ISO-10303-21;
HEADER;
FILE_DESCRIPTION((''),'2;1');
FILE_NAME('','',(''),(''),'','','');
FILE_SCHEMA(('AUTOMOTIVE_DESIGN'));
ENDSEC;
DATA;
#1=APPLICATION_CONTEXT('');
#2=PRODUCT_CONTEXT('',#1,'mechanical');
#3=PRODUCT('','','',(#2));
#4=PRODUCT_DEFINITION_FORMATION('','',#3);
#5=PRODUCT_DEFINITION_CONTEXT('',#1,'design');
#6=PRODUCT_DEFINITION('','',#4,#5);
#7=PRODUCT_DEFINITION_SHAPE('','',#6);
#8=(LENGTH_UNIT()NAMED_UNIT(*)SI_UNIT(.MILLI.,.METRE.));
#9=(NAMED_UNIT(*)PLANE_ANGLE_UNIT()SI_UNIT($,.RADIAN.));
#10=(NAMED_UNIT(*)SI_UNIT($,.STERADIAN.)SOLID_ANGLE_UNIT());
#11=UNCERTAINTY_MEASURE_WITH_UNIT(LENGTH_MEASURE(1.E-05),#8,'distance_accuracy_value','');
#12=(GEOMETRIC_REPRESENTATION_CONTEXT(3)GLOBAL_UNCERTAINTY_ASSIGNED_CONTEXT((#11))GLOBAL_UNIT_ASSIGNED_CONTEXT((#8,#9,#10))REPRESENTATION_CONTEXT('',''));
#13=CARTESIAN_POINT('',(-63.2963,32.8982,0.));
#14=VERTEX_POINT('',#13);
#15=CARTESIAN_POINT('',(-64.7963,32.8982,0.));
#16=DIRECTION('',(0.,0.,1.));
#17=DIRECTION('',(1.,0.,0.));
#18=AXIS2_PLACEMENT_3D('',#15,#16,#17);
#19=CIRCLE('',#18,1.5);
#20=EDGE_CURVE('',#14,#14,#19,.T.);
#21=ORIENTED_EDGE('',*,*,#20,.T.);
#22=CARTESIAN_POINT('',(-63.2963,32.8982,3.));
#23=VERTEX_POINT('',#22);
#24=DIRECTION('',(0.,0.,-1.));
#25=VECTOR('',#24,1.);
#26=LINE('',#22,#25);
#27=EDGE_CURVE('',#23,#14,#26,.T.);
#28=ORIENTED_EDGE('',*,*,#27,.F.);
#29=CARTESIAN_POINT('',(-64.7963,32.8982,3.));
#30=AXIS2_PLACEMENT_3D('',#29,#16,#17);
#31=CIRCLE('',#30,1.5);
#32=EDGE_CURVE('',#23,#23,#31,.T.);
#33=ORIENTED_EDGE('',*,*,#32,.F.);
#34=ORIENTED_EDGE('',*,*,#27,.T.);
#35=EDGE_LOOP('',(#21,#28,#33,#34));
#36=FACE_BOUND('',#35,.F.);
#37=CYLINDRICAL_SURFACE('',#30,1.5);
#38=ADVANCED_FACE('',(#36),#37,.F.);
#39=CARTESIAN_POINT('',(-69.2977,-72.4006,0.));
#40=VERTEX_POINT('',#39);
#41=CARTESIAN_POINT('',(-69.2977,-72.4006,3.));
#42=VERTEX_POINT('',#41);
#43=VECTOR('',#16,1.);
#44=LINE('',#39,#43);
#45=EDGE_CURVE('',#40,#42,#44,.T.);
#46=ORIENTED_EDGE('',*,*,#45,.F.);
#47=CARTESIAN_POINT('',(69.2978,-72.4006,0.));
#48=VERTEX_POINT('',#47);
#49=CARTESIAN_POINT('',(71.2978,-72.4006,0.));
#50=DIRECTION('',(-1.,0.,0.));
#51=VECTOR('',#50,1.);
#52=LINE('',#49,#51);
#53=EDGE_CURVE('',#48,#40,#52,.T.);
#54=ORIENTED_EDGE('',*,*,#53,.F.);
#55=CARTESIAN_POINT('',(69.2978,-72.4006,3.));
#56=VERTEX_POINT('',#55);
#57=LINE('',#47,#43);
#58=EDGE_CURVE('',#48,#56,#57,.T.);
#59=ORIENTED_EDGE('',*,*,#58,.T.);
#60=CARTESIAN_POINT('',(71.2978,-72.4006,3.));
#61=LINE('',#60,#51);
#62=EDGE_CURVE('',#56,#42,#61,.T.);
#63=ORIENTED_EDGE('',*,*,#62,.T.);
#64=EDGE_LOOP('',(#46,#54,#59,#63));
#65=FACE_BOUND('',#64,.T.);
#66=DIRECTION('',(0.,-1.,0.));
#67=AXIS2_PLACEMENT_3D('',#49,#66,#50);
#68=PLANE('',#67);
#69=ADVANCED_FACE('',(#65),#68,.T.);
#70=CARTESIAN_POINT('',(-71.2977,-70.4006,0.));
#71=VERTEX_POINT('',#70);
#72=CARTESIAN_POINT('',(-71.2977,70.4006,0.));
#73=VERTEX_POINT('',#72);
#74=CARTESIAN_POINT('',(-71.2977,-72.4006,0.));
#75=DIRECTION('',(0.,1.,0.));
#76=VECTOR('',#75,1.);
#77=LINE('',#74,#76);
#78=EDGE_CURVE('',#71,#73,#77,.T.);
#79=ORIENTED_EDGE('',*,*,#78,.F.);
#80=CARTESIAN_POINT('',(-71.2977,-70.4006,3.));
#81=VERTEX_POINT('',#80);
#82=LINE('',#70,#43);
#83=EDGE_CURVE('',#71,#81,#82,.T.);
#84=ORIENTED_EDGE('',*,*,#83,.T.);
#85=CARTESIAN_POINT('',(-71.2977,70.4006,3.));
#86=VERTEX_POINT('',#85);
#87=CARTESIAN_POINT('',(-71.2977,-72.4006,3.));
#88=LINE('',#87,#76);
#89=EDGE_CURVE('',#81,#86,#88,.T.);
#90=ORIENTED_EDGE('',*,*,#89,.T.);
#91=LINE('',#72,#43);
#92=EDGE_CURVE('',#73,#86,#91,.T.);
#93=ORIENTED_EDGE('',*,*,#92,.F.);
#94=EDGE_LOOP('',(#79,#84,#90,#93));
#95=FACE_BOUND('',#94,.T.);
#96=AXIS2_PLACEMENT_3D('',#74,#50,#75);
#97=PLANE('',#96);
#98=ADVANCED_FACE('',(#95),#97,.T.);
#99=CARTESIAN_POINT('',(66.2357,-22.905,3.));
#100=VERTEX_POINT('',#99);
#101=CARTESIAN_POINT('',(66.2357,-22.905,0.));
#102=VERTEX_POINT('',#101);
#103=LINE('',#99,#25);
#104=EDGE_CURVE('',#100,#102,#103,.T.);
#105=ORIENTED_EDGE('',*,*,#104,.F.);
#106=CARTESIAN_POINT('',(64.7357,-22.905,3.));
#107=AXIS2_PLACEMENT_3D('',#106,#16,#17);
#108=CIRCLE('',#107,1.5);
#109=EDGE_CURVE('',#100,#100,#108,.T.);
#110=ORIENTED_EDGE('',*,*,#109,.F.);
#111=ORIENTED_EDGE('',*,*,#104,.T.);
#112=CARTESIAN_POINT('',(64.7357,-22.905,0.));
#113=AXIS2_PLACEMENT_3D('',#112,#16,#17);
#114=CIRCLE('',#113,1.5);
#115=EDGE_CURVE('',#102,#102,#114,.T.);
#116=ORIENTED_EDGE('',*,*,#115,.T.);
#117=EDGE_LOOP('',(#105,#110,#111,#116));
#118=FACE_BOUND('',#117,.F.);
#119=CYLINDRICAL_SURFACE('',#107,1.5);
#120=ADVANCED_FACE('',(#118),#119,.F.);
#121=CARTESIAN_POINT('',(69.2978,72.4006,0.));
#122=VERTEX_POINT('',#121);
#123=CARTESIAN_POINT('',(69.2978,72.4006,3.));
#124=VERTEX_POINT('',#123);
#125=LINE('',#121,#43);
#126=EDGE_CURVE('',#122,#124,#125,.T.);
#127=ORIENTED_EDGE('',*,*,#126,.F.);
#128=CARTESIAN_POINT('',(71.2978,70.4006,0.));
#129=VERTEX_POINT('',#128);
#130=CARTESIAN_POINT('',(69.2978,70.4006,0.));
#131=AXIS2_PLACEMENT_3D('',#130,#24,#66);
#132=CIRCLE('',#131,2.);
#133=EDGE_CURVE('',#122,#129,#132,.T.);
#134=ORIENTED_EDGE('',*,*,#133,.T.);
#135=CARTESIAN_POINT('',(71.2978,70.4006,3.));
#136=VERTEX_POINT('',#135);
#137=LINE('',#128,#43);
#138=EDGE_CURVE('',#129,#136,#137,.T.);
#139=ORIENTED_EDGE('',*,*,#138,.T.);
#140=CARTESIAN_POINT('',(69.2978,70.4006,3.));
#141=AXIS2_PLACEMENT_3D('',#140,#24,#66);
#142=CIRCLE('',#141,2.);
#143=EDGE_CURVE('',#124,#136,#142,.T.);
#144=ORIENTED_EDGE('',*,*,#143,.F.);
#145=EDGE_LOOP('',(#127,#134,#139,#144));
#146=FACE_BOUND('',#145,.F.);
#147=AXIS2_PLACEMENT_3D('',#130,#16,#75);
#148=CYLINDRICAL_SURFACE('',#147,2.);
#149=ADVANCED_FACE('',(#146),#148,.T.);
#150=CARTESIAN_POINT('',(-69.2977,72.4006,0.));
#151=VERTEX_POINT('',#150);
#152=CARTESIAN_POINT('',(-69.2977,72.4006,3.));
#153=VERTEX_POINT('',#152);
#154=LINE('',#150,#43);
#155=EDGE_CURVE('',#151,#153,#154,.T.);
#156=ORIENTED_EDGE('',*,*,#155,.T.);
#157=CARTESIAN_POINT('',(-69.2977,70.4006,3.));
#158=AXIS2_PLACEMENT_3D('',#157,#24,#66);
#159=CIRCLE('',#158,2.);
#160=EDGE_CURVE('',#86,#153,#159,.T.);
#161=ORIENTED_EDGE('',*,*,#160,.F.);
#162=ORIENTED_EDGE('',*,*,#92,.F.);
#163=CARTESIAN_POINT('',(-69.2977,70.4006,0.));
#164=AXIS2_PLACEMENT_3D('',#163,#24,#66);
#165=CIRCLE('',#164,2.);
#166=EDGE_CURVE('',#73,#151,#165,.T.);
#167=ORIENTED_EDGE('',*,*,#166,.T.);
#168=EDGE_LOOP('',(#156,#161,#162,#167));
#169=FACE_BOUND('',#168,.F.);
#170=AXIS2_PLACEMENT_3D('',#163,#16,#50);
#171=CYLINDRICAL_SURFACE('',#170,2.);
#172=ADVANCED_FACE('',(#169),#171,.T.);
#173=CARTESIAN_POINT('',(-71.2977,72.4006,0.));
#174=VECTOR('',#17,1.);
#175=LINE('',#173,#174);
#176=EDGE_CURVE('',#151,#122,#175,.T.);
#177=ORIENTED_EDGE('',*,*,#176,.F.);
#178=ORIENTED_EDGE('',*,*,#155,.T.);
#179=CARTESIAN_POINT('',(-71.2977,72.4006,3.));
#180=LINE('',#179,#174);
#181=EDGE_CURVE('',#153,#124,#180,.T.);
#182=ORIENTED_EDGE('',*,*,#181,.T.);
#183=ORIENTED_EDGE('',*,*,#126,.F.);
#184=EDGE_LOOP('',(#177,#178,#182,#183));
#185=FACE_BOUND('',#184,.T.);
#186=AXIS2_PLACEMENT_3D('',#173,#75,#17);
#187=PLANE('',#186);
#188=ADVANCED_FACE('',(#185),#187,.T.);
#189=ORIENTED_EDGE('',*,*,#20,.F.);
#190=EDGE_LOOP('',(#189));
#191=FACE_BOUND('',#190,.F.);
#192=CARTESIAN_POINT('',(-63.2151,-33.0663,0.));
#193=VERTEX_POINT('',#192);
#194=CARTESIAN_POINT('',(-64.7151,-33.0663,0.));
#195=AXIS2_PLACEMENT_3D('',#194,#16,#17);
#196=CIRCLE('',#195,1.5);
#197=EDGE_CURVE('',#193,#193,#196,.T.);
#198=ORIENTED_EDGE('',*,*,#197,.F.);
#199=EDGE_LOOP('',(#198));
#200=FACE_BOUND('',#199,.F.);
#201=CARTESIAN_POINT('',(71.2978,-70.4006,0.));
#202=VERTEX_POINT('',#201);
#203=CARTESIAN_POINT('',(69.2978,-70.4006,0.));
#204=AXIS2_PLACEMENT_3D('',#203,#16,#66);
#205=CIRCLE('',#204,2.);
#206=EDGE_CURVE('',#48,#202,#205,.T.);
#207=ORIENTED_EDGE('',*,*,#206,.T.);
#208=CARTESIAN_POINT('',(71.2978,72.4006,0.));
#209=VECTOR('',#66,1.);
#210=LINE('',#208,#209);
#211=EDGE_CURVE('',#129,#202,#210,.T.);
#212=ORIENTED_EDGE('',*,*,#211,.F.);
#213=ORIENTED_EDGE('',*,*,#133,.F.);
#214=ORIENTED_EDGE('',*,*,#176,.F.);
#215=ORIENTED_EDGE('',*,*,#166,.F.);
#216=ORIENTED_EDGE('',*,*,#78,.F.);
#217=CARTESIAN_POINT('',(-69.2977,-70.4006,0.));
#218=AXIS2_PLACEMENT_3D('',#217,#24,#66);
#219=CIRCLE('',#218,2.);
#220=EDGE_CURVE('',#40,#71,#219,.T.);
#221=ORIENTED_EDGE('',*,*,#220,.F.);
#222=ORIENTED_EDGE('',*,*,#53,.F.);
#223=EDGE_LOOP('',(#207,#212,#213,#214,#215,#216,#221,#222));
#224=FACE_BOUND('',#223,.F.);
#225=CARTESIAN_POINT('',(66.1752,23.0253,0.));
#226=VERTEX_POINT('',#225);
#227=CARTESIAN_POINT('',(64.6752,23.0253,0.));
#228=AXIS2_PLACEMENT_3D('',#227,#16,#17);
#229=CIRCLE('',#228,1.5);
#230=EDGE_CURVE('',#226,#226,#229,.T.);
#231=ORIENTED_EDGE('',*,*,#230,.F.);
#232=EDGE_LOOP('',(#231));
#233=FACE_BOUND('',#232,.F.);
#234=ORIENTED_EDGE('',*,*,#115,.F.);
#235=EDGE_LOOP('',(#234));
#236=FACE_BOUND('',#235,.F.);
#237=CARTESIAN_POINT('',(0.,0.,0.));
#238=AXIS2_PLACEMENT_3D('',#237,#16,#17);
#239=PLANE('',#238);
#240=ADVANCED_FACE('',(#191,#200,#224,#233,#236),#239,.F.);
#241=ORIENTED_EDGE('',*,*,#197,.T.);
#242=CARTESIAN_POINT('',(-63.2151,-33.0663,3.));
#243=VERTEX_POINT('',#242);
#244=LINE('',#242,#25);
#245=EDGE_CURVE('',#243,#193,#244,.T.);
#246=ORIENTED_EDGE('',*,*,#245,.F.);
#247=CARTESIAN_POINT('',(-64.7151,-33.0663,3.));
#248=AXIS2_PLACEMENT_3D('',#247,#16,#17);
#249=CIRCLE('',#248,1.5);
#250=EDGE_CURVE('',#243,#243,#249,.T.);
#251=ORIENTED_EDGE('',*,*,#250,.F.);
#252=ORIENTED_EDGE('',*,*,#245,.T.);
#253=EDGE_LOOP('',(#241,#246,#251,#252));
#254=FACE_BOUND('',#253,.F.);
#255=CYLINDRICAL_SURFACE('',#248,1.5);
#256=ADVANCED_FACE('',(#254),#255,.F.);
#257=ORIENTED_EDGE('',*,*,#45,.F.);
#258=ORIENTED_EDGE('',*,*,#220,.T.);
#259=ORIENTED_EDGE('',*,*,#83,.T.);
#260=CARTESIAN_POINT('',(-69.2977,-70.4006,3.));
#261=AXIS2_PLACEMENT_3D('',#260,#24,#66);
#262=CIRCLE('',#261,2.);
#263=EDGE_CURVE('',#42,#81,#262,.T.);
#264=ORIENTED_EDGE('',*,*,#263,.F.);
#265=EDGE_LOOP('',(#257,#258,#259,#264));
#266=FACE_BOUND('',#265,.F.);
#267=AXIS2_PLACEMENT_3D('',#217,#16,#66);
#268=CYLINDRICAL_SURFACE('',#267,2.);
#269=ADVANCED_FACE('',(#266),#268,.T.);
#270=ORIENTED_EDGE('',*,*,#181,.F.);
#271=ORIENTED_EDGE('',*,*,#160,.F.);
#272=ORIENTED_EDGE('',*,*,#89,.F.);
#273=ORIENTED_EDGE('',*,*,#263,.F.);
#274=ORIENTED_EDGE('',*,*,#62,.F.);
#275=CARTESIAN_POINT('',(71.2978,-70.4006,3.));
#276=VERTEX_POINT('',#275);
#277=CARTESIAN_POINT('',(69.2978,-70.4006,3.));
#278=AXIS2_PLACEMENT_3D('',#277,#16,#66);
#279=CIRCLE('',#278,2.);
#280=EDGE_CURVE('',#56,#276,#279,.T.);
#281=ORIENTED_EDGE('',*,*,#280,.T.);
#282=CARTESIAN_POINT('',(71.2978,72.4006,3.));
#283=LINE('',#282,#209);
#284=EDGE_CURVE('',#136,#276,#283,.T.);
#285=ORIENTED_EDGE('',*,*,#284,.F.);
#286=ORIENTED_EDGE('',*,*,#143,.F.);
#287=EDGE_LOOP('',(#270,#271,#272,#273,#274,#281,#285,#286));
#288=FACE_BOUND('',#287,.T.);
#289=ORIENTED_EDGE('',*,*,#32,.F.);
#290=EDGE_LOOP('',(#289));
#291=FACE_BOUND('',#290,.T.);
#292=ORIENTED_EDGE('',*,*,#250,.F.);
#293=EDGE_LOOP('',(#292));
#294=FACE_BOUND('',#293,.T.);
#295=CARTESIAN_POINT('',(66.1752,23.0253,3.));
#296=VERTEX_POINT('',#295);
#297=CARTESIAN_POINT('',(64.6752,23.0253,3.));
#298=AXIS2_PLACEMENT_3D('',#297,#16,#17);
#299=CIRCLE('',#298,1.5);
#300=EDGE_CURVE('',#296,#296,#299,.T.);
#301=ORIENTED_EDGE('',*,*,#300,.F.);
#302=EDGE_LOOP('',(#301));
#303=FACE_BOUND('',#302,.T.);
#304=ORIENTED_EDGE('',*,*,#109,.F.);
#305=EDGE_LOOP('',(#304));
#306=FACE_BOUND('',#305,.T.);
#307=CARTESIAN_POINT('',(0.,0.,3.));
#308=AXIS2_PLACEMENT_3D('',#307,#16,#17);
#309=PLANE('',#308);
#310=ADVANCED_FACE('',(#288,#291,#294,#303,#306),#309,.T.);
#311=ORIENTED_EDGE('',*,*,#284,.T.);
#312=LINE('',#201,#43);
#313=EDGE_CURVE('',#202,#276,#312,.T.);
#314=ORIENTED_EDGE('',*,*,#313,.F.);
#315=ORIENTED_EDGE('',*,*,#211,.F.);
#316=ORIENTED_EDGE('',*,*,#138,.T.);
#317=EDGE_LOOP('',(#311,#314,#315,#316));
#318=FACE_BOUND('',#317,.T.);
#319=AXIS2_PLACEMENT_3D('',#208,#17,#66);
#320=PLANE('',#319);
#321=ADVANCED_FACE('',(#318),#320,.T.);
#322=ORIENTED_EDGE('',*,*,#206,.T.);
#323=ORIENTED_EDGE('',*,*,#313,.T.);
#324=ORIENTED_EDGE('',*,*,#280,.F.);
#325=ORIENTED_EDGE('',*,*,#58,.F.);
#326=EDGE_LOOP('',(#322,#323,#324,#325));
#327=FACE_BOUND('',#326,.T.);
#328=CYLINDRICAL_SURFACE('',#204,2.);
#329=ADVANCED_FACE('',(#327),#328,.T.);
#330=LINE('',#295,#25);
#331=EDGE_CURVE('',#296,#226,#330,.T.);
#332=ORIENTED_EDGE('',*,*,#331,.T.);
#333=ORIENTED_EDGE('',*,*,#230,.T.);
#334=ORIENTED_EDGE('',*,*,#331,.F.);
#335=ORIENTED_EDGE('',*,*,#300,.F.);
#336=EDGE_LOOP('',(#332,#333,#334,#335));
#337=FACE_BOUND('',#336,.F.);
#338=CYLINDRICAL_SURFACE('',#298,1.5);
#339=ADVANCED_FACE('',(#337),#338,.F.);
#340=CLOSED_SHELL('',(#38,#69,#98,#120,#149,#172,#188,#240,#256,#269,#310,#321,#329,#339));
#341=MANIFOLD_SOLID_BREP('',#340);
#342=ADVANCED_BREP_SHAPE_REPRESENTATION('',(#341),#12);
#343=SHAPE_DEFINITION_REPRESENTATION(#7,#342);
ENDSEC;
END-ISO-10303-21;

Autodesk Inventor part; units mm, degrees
ref_plane "YZ Plane" through (0, 0, 0) normal (1, 0, 0) x (0, 1, 0)
ref_plane "XZ Plane" through (0, 0, 0) normal (0, 1, 0) x (-1, 0, 0)
ref_plane "XY Plane" through (0, 0, 0) normal (0, 0, 1) x (1, 0, 0)
ref_plane "Work Plane1" through (0, 0, 0) normal (0, 0, 1) x (1, 0, 0)
sketch "Sketch1" plane through (0, 0, 0) normal (0, 0, 1) x (1, 0, 0)
  line L0 (71.2978, -72.4006) -> (-71.2977, -72.4006)
  line L1 (-71.2977, -72.4006) -> (-71.2977, 72.4006)
  line L2 (-71.2977, 72.4006) -> (71.2978, 72.4006)
  line L3 (71.2978, 72.4006) -> (71.2978, -72.4006)
  point P0 (0, 0)
extrude "Extrusion1" add sketch "Sketch1" along normal blind 3
fillet "Fillet1" radius 2 4 edges at (-71.2977, 72.4006, 1.5) (-71.2977, -72.4006, 1.5) (71.2978, -72.4006, 1.5) (71.2978, 72.4006, 1.5)
sketch "Sketch2" plane through (0, 0, 3) normal (0, 0, 1) x (1, 0, 0)
  circle A0 centre (-64.7963, 32.8982) radius 1.5
  circle A1 centre (-64.7151, -33.0663) radius 1.5
  circle A2 centre (64.7357, -22.905) radius 1.5
  circle A3 centre (64.6752, 23.0253) radius 1.5
  point P0 (0, 0)
  dimension "d3" = 3
  dimension "d4" = 3
  dimension "d5" = 3
  dimension "d6" = 3
extrude "Extrusion2" cut sketch "Sketch2" against normal through all
properties part number "Lid" material "Polycarbonate, Clear"
